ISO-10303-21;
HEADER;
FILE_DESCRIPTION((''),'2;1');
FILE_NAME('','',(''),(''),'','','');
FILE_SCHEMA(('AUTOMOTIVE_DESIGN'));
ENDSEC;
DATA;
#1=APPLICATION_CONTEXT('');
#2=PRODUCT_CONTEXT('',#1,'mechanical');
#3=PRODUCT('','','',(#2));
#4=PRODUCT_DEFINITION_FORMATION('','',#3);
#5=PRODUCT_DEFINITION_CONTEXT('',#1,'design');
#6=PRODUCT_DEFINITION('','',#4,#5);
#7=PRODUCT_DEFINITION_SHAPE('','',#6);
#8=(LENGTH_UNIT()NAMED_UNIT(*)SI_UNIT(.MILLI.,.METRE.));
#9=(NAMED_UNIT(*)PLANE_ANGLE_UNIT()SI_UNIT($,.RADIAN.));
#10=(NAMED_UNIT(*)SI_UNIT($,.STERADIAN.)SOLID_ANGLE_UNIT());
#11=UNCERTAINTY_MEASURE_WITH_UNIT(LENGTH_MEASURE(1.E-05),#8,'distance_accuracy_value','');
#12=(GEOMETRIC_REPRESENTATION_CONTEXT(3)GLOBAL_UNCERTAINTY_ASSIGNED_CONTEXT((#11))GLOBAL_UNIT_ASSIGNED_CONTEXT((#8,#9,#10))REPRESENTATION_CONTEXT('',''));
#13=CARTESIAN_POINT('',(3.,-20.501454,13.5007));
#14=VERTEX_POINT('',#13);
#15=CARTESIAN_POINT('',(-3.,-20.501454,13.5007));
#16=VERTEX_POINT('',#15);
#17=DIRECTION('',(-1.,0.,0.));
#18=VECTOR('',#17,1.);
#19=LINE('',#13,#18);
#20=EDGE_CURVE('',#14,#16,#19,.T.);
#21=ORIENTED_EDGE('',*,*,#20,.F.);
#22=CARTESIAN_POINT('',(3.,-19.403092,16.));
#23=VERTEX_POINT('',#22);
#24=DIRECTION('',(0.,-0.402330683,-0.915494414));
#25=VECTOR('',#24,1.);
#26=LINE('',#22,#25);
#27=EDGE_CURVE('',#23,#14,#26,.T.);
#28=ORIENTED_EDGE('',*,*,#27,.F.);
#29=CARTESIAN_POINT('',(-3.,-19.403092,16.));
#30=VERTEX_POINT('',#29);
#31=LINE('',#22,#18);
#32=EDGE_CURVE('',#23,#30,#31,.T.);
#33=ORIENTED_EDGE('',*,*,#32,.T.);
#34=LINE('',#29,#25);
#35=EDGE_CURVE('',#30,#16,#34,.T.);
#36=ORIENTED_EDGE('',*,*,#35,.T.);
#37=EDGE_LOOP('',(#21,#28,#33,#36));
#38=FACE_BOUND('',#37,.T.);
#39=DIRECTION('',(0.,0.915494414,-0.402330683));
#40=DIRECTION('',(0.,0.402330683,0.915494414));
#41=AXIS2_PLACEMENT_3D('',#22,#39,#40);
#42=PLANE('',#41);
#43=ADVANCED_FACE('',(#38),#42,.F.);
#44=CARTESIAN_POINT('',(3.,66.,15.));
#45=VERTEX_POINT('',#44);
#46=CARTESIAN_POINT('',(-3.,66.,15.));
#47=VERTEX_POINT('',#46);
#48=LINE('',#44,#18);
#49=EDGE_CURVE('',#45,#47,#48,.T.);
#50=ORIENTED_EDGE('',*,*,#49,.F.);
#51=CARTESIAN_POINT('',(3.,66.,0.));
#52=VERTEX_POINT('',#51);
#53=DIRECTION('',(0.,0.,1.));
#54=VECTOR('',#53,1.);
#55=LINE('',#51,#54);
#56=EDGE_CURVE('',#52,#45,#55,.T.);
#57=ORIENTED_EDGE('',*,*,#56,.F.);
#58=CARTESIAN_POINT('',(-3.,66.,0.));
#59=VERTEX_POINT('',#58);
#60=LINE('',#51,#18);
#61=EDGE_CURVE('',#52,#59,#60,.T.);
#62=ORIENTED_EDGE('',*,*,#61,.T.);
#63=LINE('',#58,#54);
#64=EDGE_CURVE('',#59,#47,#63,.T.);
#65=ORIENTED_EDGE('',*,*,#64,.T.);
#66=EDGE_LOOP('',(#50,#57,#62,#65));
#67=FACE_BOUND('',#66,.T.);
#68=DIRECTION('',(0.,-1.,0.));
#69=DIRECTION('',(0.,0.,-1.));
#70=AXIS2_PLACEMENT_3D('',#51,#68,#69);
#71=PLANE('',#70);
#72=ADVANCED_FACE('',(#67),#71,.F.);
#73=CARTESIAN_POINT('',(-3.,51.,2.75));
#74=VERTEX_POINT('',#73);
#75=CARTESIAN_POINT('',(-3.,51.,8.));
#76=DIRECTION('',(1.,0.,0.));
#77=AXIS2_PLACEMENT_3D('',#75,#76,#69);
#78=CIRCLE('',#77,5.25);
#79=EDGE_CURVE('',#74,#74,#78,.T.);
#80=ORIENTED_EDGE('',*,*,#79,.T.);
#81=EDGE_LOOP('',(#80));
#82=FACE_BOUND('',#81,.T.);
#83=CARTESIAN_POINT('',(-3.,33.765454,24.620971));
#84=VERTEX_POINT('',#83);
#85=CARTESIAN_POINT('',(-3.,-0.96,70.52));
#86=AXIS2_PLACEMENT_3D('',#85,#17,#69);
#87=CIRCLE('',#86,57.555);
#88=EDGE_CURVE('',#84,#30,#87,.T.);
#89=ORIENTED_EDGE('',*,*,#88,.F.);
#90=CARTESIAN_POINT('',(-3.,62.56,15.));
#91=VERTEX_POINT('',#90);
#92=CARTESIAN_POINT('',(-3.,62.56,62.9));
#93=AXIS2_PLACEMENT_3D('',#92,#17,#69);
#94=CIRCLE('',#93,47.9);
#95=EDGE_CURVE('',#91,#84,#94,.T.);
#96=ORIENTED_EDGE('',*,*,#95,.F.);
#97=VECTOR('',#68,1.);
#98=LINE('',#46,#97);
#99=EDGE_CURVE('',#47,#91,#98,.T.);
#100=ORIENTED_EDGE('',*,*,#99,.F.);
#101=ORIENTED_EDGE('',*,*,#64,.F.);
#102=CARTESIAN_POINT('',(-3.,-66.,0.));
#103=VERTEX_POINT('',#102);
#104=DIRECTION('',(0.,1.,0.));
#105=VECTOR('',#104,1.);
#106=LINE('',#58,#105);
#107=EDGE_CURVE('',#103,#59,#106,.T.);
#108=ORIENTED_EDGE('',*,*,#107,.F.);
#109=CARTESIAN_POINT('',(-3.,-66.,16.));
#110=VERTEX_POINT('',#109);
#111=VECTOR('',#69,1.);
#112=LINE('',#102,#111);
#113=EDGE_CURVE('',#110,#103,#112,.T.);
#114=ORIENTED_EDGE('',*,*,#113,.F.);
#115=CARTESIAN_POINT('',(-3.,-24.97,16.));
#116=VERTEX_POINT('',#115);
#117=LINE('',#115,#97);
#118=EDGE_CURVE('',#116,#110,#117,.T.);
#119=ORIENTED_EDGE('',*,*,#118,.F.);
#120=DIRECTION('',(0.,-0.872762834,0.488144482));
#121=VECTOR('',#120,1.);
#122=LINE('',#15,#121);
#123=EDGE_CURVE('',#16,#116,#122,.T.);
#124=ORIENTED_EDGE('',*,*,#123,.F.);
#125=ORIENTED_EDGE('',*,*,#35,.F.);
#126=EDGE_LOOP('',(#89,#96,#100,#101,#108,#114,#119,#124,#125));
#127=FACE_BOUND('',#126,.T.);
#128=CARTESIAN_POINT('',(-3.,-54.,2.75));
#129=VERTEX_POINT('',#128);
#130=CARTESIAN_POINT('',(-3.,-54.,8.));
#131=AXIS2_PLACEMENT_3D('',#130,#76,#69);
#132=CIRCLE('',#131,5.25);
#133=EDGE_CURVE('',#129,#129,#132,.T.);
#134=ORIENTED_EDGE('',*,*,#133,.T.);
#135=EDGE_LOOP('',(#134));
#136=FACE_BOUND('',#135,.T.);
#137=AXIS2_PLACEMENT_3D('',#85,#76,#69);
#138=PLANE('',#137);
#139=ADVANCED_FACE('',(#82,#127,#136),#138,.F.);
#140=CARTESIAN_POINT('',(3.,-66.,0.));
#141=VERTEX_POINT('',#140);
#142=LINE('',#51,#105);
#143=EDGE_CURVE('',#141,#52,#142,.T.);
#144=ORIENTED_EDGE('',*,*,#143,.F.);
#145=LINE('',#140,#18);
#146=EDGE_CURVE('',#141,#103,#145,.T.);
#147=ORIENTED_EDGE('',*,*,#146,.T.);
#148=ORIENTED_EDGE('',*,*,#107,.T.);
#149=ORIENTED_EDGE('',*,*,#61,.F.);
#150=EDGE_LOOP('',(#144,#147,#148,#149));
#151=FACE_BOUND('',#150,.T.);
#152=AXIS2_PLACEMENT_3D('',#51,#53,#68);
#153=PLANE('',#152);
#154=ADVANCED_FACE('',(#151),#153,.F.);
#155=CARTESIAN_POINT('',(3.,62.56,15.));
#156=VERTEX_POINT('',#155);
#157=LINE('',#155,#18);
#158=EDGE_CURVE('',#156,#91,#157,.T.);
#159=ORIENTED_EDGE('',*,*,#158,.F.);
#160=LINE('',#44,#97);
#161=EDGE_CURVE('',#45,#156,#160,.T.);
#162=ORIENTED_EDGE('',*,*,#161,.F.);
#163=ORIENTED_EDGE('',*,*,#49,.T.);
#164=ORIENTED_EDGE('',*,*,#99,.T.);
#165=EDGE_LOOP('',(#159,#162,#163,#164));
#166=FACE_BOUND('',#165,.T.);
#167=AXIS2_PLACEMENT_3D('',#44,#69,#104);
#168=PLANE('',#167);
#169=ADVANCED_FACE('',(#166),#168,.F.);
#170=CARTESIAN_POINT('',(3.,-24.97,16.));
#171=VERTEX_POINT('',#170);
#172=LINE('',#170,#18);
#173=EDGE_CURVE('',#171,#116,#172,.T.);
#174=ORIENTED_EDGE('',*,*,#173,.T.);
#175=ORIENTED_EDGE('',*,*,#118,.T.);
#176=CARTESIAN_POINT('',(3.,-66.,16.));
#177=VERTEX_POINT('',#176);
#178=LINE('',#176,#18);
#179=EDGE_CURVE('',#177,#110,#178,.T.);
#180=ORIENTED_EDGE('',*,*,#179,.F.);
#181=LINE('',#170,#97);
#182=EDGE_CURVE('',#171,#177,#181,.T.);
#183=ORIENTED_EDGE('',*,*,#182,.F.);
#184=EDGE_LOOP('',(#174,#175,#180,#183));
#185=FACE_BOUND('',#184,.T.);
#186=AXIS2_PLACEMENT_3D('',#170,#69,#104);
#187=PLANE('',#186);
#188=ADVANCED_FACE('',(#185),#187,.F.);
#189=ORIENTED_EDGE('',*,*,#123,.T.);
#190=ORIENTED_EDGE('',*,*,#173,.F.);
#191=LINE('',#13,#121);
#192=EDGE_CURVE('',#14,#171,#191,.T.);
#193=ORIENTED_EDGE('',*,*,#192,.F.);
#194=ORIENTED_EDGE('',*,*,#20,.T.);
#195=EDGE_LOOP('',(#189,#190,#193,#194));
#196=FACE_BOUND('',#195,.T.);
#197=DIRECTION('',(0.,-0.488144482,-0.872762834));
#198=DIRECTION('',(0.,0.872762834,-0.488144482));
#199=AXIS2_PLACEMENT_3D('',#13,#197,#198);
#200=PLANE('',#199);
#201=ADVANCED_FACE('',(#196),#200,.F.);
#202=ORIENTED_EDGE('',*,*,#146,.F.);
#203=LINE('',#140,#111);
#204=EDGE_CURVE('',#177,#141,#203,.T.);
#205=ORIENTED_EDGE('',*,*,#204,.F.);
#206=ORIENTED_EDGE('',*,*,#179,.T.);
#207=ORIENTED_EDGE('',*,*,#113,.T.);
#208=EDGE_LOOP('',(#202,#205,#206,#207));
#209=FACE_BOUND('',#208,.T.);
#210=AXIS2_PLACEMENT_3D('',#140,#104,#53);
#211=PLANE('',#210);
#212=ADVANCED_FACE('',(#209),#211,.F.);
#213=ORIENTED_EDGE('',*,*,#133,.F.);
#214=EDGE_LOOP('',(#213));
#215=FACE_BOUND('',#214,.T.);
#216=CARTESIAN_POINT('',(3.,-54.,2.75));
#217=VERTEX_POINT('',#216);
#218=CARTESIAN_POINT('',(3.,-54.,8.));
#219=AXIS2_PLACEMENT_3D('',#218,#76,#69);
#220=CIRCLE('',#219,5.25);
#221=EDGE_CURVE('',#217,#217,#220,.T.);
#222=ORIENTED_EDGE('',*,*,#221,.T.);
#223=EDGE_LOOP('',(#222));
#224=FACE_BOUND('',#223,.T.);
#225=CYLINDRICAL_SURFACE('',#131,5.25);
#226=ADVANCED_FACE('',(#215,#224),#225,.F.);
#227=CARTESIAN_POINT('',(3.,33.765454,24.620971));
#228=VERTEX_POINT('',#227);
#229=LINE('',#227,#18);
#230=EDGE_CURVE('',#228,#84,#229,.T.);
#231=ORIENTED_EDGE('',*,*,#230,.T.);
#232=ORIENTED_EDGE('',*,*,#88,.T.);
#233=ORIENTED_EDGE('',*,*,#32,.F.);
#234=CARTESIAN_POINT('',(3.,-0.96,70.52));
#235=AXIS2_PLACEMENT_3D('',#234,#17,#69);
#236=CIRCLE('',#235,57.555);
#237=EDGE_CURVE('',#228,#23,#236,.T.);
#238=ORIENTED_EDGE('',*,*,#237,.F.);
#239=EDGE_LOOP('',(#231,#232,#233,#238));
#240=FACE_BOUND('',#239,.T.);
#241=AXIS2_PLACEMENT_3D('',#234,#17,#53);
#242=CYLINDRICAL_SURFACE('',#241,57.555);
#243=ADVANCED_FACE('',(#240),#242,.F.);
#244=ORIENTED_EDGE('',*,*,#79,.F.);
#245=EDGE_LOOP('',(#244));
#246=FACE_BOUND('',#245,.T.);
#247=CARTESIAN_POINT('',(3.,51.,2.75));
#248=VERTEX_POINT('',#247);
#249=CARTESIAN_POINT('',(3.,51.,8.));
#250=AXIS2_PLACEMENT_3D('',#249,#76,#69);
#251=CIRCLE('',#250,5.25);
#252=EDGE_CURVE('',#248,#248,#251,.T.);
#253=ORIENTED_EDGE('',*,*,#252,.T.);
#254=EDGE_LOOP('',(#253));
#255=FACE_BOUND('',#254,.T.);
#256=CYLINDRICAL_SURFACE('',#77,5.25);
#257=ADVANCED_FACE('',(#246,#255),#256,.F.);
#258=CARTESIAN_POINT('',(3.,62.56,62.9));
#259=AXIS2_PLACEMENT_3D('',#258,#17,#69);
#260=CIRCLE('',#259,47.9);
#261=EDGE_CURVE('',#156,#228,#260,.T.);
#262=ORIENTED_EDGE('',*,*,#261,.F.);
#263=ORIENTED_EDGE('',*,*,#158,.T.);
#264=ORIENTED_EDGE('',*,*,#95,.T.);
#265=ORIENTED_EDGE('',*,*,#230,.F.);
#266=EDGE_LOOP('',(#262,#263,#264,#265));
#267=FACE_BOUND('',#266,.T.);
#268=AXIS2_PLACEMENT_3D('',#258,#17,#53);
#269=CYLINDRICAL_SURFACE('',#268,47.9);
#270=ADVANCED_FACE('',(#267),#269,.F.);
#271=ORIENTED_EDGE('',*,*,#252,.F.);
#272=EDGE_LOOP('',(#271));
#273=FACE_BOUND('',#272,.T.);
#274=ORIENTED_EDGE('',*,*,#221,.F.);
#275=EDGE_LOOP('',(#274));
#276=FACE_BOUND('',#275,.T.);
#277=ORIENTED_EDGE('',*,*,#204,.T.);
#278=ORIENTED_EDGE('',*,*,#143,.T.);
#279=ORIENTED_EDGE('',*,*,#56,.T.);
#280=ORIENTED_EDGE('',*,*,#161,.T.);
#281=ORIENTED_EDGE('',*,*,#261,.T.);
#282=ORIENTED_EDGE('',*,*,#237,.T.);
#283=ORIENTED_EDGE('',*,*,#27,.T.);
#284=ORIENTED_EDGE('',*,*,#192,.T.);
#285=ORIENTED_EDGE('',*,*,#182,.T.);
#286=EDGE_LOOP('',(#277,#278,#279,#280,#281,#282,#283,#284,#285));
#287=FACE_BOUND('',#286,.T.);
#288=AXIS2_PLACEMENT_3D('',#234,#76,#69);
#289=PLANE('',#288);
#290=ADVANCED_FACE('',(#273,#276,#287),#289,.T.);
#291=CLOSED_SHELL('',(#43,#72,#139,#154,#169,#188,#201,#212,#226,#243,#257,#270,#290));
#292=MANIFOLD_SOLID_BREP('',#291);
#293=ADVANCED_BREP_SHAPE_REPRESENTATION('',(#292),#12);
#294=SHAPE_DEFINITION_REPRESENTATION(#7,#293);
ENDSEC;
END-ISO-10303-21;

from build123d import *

# Parameters (mm, degrees)
BOSS_EXTRUDE1_DEPTH = 3
SKETCH3_R           = 5.25
CUT_EXTRUDE1_DEPTH  = 71.697893831


with BuildPart() as part:
    # Sketch1 → Boss-Extrude1 (new, symmetric)
    with BuildSketch(Plane(origin=(0, 0, 0), x_dir=(0, 0, -1), z_dir=(1, 0, 0))):
        with BuildLine():
            Line((0, 66), (-15, 66))
            Line((-15, 66), (-15, 62.56))
            ThreePointArc((-15, 62.56), (-17.468868001, 47.38033448), (-24.620970576, 33.765453531))
            ThreePointArc((-24.620970576, 33.765453531), (-13.706982887, 8.251900539), (-16, -19.403091525))
            Line((-16, -19.403091525), (-13.500700251, -20.50145429))
            Line((-13.500700251, -20.50145429), (-16, -24.97))
            Line((-16, -24.97), (-16, -66))
            Line((-16, -66), (0, -66))
            Line((0, -66), (0, 66))
        make_face()
    extrude(amount=BOSS_EXTRUDE1_DEPTH, both=True)

    # Sketch3 → Cut-Extrude1 (cut, through all)
    with BuildSketch(Plane(origin=(3, 0, 0), x_dir=(0, 0, -1), z_dir=(1, 0, 0))):
        with Locations((-8, 51)):
            Circle(SKETCH3_R)
        with Locations((-8, -54)):
            Circle(SKETCH3_R)
    extrude(amount=-CUT_EXTRUDE1_DEPTH, mode=Mode.SUBTRACT)


solid = part.part
